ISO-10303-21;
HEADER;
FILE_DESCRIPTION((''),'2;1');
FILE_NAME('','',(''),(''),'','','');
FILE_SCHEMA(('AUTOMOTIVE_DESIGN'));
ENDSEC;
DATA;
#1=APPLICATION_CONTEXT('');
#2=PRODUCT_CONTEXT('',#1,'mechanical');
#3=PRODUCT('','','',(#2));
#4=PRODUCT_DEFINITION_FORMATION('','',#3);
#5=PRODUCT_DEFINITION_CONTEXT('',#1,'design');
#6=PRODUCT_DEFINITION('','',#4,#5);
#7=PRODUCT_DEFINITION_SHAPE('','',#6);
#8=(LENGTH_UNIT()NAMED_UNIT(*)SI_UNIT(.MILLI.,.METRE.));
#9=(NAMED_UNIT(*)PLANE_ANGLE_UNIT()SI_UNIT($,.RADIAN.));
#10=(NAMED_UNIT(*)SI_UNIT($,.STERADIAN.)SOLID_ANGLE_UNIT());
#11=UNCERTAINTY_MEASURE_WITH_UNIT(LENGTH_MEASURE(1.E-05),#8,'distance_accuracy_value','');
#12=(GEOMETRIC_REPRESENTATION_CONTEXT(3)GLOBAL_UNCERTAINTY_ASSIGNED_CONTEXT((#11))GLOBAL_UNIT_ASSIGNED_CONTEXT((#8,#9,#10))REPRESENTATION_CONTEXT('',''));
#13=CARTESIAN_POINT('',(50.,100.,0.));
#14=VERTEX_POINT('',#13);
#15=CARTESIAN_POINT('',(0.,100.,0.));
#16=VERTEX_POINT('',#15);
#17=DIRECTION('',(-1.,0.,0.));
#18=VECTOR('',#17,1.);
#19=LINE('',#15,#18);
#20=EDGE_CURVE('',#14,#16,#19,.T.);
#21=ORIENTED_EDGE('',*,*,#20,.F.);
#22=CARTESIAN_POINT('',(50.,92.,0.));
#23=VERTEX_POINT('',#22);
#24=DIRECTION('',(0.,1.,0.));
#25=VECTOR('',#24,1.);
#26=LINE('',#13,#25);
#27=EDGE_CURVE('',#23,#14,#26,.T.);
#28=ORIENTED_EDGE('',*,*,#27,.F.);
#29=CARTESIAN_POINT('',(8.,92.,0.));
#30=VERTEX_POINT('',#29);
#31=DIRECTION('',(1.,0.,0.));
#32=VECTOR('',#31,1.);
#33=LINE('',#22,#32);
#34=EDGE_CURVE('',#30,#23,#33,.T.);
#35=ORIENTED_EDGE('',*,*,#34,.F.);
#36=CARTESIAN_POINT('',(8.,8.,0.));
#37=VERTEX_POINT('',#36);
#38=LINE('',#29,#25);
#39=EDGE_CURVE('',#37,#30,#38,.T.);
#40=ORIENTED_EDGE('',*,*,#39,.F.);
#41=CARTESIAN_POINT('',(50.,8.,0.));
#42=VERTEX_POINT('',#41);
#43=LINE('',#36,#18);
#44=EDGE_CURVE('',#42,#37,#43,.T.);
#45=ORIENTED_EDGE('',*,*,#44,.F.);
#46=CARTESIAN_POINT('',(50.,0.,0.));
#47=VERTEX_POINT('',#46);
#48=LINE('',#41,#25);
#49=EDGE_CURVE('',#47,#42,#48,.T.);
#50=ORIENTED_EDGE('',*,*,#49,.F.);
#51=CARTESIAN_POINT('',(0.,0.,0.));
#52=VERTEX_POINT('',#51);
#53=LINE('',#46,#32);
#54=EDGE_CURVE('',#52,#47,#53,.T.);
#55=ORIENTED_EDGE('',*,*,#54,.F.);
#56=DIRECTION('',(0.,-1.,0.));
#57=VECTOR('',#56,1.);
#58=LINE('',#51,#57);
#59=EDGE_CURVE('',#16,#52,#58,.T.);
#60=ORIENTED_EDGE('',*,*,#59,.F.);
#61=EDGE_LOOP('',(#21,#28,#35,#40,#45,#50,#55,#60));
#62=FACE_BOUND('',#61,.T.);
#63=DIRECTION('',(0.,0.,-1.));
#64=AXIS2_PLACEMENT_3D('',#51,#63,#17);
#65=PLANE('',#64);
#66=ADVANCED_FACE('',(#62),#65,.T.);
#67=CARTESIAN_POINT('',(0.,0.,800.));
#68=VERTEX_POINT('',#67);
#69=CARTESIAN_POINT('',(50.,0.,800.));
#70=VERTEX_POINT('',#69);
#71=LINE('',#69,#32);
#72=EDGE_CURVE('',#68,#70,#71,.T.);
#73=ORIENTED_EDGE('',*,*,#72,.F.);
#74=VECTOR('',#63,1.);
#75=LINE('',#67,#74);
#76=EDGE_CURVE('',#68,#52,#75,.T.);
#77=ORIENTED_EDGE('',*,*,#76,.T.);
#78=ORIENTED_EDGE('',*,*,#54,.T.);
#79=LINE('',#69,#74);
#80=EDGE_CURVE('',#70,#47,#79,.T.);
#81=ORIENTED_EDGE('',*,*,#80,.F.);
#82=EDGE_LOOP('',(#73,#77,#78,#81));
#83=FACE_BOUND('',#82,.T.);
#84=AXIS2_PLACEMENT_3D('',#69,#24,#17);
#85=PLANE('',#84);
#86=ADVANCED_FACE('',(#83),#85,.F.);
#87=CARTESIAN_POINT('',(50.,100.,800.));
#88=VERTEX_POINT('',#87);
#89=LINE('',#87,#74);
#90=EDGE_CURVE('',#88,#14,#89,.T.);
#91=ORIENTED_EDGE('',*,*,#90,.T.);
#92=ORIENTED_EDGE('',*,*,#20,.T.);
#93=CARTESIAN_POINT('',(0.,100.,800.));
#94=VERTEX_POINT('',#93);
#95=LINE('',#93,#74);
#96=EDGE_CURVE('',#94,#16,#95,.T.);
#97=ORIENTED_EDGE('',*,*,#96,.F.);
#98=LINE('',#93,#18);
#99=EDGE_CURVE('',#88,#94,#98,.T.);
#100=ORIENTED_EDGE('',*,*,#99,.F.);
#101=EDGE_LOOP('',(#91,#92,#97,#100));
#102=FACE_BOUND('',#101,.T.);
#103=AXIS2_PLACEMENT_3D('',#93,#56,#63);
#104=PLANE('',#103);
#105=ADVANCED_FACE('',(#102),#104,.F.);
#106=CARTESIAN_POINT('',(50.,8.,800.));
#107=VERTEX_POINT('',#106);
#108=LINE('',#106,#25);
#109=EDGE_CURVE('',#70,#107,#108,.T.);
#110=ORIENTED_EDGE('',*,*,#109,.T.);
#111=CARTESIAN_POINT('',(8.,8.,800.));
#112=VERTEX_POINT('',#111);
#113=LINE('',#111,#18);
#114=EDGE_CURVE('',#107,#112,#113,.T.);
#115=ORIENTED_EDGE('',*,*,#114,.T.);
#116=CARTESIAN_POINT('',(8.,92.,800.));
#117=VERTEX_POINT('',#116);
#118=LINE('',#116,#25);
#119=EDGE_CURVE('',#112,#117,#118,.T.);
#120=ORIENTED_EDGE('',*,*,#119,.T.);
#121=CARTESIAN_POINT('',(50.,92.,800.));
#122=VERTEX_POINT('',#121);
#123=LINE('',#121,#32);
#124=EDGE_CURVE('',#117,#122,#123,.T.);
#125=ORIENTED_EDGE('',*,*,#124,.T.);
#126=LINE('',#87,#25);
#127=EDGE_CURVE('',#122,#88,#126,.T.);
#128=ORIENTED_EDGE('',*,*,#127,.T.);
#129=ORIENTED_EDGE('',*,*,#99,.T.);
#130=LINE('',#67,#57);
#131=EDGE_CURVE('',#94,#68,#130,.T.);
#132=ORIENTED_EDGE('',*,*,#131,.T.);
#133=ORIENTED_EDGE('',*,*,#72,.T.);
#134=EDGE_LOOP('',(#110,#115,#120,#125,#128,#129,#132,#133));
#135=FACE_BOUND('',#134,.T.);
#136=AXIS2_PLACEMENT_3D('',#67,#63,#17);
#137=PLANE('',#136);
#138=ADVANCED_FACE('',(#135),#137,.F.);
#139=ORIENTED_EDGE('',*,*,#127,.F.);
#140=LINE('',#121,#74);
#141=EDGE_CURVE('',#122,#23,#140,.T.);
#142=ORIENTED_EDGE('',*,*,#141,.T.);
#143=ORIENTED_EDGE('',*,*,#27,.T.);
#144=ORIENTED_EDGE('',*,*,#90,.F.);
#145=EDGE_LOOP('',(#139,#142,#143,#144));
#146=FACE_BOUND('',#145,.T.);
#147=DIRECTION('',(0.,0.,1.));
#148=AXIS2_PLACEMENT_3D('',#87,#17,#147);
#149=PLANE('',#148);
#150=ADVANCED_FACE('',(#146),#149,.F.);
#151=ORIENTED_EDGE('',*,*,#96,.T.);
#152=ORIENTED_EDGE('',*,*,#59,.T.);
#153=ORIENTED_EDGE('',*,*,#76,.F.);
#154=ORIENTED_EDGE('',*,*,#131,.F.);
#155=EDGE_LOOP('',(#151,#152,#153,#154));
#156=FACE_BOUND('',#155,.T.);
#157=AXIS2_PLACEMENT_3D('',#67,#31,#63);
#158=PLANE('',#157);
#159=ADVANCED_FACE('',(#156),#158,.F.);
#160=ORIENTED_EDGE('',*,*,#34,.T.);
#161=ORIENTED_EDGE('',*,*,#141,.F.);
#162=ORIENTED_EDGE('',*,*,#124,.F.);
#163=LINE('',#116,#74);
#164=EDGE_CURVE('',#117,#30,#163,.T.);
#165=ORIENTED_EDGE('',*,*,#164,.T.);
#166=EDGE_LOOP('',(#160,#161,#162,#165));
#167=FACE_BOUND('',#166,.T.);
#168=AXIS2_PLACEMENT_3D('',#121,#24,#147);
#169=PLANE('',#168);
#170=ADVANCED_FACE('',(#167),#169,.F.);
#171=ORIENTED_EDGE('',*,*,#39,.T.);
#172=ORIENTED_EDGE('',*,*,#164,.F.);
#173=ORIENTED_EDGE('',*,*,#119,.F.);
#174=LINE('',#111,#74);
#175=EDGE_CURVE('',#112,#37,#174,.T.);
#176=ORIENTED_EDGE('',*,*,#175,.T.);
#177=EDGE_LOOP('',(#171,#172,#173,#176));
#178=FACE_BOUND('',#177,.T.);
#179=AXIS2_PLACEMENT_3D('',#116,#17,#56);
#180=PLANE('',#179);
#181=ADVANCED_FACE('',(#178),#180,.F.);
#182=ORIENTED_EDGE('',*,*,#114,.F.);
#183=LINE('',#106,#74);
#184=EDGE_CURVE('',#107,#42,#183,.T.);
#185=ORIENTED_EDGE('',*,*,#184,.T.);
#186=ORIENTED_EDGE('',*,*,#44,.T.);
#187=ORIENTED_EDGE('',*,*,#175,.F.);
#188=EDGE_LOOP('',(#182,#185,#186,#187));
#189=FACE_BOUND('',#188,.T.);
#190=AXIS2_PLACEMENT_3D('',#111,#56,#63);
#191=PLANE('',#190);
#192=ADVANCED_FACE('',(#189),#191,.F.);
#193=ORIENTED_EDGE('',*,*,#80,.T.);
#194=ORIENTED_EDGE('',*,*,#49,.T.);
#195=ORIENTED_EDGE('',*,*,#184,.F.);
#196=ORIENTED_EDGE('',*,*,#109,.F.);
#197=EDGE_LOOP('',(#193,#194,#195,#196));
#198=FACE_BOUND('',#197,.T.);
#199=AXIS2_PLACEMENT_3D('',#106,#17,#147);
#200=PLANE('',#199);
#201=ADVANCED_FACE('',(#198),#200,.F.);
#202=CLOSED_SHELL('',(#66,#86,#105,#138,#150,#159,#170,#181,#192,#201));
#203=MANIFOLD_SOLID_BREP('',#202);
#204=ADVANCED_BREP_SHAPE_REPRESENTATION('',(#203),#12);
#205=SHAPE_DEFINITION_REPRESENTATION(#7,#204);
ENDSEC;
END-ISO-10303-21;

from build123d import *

# Parameters (mm, degrees)
BOSS_EXTRUDE1_DEPTH = 800


with BuildPart() as part:
    # Sketch1 → Boss-Extrude1 (new body)
    with BuildSketch(Plane.XY):
        Polygon((0, 0), (0, 100), (50, 100), (50, 92), (8, 92), (8, 8), (50, 8), (50, 0), align=None)
    extrude(amount=BOSS_EXTRUDE1_DEPTH)


solid = part.part
